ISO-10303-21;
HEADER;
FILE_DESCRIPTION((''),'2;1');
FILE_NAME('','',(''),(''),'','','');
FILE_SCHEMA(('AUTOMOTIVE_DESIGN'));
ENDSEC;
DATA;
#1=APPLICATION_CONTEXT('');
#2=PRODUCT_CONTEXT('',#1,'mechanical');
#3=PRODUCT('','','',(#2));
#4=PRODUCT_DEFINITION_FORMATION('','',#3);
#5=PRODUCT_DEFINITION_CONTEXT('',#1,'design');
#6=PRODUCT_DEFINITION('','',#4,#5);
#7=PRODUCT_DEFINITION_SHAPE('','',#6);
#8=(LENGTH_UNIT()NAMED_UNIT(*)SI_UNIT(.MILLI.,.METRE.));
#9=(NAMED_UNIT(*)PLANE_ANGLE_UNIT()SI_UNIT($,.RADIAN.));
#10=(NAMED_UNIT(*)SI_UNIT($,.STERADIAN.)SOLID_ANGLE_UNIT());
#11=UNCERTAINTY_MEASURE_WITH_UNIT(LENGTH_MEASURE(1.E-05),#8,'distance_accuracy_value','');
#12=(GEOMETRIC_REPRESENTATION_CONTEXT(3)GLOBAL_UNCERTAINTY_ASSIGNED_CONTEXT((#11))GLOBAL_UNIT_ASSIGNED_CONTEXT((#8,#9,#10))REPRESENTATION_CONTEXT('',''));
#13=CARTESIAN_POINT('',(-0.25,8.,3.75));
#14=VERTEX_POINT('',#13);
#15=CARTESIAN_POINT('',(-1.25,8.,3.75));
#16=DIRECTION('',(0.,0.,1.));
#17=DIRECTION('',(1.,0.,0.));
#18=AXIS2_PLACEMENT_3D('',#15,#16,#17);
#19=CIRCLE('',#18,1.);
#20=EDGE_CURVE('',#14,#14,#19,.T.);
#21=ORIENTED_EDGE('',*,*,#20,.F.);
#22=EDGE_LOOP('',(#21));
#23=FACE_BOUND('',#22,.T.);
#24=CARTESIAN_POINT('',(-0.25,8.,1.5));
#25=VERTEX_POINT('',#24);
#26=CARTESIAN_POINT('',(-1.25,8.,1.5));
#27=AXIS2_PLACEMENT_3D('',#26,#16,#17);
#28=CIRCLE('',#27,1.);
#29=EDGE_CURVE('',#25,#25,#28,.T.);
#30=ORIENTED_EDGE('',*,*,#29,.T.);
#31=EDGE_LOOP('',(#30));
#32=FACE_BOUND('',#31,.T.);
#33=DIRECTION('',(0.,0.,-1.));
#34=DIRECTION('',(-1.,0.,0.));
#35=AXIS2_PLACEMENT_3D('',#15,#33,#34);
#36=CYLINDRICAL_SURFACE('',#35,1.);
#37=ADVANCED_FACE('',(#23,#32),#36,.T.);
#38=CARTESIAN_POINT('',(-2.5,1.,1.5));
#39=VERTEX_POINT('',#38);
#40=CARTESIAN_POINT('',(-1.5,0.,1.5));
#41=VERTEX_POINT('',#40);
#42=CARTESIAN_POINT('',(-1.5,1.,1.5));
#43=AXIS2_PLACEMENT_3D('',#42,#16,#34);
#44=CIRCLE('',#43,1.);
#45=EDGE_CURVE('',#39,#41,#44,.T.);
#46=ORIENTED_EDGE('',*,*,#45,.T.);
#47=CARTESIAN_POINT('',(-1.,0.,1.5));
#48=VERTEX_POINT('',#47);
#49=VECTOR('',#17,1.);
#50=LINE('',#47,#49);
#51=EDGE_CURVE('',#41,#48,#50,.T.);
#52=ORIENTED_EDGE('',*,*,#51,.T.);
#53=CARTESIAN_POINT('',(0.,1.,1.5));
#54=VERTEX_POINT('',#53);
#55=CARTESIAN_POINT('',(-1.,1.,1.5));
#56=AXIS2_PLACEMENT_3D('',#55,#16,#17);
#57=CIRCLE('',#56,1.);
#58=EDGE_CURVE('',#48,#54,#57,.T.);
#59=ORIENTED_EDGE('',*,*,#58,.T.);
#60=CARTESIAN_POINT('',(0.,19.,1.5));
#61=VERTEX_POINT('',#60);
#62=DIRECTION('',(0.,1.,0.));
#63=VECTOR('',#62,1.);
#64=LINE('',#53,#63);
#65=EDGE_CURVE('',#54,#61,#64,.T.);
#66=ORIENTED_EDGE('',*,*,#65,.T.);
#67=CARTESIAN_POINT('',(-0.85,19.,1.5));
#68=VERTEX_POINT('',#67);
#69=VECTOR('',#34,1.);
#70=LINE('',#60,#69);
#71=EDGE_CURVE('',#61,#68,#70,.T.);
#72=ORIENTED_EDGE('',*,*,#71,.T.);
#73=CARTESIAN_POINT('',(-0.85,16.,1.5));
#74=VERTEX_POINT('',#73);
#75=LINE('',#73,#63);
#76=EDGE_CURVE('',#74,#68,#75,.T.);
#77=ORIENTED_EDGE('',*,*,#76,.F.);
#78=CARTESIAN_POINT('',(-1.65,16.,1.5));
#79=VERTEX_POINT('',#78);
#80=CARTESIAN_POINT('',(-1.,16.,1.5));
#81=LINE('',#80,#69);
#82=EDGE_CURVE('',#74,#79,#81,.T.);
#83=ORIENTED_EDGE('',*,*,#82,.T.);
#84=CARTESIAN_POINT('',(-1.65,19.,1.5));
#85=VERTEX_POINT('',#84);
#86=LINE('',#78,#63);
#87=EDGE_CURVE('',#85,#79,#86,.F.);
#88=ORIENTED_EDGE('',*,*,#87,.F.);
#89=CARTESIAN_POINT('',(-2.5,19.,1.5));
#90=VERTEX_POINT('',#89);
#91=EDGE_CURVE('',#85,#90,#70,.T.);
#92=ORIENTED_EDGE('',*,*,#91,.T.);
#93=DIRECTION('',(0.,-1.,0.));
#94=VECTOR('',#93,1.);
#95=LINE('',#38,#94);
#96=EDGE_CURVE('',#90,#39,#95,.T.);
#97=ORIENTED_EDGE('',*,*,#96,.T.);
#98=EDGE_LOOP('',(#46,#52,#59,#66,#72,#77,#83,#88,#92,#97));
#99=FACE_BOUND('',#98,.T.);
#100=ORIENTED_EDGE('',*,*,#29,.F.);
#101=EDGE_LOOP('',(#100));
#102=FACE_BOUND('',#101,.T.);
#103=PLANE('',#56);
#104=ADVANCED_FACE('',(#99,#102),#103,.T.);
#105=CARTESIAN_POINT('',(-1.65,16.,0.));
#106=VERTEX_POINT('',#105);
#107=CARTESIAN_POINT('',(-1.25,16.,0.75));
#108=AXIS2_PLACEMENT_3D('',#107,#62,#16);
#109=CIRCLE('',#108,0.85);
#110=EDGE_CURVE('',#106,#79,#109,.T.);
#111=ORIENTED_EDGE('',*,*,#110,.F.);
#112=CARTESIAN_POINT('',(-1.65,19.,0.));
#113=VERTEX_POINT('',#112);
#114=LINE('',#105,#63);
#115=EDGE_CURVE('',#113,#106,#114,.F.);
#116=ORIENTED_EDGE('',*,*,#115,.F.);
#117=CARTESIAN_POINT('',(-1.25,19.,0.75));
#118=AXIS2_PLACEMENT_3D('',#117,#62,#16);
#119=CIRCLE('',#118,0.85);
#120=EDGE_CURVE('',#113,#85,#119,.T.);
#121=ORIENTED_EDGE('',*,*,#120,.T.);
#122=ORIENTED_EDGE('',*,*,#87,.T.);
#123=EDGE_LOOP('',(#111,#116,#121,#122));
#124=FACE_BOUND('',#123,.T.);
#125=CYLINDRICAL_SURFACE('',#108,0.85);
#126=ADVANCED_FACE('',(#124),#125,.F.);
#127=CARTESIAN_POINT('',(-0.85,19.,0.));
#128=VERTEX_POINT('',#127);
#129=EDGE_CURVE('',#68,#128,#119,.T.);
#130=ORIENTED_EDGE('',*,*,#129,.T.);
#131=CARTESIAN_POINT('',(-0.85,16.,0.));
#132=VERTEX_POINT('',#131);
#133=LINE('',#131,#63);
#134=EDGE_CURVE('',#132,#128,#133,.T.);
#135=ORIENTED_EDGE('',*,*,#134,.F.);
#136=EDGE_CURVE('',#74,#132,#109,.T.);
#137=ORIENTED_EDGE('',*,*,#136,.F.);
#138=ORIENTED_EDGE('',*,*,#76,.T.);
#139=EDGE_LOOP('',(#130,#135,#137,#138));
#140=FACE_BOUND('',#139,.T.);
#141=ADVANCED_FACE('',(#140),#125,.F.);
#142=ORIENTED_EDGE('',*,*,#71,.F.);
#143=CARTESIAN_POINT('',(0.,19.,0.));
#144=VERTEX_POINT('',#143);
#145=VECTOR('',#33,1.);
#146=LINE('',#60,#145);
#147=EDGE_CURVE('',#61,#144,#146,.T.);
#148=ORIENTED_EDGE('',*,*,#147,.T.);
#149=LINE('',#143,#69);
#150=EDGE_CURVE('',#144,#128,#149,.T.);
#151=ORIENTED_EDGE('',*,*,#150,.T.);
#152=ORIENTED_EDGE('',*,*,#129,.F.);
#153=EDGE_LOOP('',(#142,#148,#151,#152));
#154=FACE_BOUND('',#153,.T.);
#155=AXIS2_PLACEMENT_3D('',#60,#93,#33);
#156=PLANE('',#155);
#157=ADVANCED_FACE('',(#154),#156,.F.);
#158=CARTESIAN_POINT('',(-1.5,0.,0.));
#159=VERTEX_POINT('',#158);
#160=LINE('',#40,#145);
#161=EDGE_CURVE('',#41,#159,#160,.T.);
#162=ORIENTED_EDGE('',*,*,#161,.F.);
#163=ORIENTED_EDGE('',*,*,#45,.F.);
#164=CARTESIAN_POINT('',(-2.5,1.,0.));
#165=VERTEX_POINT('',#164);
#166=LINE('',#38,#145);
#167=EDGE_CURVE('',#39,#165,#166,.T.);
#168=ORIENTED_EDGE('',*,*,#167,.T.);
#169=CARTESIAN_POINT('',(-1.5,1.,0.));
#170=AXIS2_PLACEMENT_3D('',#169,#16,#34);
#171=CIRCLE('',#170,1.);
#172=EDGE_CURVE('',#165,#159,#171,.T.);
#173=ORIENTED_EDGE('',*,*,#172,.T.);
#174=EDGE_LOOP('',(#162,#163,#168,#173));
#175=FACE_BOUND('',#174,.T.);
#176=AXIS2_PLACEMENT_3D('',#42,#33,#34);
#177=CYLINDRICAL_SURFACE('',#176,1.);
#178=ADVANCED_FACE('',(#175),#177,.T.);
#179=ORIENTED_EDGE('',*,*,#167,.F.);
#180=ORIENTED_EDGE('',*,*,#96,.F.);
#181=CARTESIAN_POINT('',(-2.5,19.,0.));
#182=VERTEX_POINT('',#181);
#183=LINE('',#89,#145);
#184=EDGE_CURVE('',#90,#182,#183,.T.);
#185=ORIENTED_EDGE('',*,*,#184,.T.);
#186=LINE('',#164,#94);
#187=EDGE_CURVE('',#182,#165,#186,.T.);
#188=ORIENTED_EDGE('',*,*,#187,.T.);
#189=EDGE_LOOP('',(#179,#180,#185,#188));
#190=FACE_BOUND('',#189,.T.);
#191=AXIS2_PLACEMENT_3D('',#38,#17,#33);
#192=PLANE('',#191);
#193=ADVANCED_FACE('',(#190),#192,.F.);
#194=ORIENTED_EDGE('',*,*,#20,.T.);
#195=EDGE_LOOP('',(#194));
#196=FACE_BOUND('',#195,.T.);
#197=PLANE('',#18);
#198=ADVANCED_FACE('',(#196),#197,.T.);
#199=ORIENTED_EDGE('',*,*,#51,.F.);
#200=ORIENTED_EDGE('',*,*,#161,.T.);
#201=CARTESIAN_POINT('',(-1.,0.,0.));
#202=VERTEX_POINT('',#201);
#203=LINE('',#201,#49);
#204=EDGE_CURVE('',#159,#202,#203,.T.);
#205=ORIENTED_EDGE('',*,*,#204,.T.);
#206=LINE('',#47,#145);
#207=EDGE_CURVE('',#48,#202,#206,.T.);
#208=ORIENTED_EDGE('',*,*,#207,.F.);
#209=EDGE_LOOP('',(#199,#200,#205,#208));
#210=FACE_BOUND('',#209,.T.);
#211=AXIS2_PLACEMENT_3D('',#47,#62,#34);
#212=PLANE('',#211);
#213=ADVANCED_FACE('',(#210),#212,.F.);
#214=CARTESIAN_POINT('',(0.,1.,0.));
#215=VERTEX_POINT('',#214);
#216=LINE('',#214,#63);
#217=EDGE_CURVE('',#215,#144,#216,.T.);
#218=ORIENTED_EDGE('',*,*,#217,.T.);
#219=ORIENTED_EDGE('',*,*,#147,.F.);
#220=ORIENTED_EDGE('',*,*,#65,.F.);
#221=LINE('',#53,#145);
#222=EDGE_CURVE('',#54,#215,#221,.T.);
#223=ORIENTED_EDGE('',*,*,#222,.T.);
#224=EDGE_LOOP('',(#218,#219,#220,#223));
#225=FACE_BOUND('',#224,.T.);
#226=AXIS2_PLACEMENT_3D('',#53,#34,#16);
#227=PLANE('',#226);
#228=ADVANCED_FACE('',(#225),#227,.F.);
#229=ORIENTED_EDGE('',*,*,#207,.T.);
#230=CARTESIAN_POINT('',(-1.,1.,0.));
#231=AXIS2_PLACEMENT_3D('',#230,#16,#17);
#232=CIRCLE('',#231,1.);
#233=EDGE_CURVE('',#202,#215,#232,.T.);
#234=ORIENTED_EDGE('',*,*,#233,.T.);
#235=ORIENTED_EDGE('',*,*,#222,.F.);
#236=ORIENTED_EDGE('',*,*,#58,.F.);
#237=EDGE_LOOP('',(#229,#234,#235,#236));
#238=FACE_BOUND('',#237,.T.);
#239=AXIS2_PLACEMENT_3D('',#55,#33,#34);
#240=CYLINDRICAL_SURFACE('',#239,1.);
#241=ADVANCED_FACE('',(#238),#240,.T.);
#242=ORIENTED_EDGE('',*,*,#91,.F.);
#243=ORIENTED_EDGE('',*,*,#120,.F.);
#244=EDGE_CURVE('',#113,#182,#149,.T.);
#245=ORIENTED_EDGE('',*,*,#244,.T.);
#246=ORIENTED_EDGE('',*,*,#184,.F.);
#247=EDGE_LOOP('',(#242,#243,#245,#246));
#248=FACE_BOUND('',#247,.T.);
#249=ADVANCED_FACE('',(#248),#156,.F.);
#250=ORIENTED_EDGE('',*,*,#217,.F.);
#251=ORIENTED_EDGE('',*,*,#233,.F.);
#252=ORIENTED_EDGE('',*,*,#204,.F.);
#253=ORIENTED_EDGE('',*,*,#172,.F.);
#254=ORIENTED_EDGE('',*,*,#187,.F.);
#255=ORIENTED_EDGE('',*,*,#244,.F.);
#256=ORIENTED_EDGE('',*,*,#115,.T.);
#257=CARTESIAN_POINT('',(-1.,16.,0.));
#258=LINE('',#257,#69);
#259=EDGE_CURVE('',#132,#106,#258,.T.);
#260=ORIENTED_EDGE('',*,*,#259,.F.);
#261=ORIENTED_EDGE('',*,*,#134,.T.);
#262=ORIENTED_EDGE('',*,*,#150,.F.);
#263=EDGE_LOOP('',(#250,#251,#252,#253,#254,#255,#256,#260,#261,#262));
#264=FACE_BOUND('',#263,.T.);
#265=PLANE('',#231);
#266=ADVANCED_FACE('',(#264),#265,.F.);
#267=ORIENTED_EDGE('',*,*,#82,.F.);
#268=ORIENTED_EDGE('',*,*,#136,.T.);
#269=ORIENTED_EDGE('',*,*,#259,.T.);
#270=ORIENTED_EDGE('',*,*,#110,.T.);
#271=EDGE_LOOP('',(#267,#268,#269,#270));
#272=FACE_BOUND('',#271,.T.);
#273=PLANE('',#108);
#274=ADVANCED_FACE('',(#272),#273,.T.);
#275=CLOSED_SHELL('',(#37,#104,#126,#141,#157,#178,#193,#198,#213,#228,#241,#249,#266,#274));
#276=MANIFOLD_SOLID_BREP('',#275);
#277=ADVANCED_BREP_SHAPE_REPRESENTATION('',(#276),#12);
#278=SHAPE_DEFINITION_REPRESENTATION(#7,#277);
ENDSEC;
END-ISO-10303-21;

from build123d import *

# Parameters (mm, degrees)
EXTRUDE_1_DEPTH     = 1.5
SKETCH_2_R          = 1
EXTRUDE_2_DEPTH     = 2.25
SKETCH_3_R          = 0.85
CUT_EXTRUDE_1_DEPTH = 3


with BuildPart() as part:
    # Эскиз1 → Бобышка-Вытянуть1 (new body)
    with BuildSketch(Plane.XY):
        with BuildLine():
            Line((-1, 0), (-1.5, 0))
            ThreePointArc((-1.5, 0), (-2.207106781, 0.292893219), (-2.5, 1))
            Line((-2.5, 1), (-2.5, 19))
            Line((-2.5, 19), (0, 19))
            Line((0, 19), (0, 1))
            ThreePointArc((0, 1), (-0.292893219, 0.292893219), (-1, 0))
        make_face()
    extrude(amount=EXTRUDE_1_DEPTH)

    # Эскиз2 → Бобышка-Вытянуть2 (add)
    with BuildSketch(Plane.XY.offset(1.5)):
        with Locations((-1.25, 8)):
            Circle(SKETCH_2_R)
    extrude(amount=EXTRUDE_2_DEPTH)

    # Эскиз3 → Вырез-Вытянуть1 (cut)
    with BuildSketch(Plane(origin=(0, 19, 0), x_dir=(1, 0, 0), z_dir=(0, 1, 0))):
        with Locations((-1.25, -0.75)):
            Circle(SKETCH_3_R)
    extrude(amount=-CUT_EXTRUDE_1_DEPTH, mode=Mode.SUBTRACT)


solid = part.part
